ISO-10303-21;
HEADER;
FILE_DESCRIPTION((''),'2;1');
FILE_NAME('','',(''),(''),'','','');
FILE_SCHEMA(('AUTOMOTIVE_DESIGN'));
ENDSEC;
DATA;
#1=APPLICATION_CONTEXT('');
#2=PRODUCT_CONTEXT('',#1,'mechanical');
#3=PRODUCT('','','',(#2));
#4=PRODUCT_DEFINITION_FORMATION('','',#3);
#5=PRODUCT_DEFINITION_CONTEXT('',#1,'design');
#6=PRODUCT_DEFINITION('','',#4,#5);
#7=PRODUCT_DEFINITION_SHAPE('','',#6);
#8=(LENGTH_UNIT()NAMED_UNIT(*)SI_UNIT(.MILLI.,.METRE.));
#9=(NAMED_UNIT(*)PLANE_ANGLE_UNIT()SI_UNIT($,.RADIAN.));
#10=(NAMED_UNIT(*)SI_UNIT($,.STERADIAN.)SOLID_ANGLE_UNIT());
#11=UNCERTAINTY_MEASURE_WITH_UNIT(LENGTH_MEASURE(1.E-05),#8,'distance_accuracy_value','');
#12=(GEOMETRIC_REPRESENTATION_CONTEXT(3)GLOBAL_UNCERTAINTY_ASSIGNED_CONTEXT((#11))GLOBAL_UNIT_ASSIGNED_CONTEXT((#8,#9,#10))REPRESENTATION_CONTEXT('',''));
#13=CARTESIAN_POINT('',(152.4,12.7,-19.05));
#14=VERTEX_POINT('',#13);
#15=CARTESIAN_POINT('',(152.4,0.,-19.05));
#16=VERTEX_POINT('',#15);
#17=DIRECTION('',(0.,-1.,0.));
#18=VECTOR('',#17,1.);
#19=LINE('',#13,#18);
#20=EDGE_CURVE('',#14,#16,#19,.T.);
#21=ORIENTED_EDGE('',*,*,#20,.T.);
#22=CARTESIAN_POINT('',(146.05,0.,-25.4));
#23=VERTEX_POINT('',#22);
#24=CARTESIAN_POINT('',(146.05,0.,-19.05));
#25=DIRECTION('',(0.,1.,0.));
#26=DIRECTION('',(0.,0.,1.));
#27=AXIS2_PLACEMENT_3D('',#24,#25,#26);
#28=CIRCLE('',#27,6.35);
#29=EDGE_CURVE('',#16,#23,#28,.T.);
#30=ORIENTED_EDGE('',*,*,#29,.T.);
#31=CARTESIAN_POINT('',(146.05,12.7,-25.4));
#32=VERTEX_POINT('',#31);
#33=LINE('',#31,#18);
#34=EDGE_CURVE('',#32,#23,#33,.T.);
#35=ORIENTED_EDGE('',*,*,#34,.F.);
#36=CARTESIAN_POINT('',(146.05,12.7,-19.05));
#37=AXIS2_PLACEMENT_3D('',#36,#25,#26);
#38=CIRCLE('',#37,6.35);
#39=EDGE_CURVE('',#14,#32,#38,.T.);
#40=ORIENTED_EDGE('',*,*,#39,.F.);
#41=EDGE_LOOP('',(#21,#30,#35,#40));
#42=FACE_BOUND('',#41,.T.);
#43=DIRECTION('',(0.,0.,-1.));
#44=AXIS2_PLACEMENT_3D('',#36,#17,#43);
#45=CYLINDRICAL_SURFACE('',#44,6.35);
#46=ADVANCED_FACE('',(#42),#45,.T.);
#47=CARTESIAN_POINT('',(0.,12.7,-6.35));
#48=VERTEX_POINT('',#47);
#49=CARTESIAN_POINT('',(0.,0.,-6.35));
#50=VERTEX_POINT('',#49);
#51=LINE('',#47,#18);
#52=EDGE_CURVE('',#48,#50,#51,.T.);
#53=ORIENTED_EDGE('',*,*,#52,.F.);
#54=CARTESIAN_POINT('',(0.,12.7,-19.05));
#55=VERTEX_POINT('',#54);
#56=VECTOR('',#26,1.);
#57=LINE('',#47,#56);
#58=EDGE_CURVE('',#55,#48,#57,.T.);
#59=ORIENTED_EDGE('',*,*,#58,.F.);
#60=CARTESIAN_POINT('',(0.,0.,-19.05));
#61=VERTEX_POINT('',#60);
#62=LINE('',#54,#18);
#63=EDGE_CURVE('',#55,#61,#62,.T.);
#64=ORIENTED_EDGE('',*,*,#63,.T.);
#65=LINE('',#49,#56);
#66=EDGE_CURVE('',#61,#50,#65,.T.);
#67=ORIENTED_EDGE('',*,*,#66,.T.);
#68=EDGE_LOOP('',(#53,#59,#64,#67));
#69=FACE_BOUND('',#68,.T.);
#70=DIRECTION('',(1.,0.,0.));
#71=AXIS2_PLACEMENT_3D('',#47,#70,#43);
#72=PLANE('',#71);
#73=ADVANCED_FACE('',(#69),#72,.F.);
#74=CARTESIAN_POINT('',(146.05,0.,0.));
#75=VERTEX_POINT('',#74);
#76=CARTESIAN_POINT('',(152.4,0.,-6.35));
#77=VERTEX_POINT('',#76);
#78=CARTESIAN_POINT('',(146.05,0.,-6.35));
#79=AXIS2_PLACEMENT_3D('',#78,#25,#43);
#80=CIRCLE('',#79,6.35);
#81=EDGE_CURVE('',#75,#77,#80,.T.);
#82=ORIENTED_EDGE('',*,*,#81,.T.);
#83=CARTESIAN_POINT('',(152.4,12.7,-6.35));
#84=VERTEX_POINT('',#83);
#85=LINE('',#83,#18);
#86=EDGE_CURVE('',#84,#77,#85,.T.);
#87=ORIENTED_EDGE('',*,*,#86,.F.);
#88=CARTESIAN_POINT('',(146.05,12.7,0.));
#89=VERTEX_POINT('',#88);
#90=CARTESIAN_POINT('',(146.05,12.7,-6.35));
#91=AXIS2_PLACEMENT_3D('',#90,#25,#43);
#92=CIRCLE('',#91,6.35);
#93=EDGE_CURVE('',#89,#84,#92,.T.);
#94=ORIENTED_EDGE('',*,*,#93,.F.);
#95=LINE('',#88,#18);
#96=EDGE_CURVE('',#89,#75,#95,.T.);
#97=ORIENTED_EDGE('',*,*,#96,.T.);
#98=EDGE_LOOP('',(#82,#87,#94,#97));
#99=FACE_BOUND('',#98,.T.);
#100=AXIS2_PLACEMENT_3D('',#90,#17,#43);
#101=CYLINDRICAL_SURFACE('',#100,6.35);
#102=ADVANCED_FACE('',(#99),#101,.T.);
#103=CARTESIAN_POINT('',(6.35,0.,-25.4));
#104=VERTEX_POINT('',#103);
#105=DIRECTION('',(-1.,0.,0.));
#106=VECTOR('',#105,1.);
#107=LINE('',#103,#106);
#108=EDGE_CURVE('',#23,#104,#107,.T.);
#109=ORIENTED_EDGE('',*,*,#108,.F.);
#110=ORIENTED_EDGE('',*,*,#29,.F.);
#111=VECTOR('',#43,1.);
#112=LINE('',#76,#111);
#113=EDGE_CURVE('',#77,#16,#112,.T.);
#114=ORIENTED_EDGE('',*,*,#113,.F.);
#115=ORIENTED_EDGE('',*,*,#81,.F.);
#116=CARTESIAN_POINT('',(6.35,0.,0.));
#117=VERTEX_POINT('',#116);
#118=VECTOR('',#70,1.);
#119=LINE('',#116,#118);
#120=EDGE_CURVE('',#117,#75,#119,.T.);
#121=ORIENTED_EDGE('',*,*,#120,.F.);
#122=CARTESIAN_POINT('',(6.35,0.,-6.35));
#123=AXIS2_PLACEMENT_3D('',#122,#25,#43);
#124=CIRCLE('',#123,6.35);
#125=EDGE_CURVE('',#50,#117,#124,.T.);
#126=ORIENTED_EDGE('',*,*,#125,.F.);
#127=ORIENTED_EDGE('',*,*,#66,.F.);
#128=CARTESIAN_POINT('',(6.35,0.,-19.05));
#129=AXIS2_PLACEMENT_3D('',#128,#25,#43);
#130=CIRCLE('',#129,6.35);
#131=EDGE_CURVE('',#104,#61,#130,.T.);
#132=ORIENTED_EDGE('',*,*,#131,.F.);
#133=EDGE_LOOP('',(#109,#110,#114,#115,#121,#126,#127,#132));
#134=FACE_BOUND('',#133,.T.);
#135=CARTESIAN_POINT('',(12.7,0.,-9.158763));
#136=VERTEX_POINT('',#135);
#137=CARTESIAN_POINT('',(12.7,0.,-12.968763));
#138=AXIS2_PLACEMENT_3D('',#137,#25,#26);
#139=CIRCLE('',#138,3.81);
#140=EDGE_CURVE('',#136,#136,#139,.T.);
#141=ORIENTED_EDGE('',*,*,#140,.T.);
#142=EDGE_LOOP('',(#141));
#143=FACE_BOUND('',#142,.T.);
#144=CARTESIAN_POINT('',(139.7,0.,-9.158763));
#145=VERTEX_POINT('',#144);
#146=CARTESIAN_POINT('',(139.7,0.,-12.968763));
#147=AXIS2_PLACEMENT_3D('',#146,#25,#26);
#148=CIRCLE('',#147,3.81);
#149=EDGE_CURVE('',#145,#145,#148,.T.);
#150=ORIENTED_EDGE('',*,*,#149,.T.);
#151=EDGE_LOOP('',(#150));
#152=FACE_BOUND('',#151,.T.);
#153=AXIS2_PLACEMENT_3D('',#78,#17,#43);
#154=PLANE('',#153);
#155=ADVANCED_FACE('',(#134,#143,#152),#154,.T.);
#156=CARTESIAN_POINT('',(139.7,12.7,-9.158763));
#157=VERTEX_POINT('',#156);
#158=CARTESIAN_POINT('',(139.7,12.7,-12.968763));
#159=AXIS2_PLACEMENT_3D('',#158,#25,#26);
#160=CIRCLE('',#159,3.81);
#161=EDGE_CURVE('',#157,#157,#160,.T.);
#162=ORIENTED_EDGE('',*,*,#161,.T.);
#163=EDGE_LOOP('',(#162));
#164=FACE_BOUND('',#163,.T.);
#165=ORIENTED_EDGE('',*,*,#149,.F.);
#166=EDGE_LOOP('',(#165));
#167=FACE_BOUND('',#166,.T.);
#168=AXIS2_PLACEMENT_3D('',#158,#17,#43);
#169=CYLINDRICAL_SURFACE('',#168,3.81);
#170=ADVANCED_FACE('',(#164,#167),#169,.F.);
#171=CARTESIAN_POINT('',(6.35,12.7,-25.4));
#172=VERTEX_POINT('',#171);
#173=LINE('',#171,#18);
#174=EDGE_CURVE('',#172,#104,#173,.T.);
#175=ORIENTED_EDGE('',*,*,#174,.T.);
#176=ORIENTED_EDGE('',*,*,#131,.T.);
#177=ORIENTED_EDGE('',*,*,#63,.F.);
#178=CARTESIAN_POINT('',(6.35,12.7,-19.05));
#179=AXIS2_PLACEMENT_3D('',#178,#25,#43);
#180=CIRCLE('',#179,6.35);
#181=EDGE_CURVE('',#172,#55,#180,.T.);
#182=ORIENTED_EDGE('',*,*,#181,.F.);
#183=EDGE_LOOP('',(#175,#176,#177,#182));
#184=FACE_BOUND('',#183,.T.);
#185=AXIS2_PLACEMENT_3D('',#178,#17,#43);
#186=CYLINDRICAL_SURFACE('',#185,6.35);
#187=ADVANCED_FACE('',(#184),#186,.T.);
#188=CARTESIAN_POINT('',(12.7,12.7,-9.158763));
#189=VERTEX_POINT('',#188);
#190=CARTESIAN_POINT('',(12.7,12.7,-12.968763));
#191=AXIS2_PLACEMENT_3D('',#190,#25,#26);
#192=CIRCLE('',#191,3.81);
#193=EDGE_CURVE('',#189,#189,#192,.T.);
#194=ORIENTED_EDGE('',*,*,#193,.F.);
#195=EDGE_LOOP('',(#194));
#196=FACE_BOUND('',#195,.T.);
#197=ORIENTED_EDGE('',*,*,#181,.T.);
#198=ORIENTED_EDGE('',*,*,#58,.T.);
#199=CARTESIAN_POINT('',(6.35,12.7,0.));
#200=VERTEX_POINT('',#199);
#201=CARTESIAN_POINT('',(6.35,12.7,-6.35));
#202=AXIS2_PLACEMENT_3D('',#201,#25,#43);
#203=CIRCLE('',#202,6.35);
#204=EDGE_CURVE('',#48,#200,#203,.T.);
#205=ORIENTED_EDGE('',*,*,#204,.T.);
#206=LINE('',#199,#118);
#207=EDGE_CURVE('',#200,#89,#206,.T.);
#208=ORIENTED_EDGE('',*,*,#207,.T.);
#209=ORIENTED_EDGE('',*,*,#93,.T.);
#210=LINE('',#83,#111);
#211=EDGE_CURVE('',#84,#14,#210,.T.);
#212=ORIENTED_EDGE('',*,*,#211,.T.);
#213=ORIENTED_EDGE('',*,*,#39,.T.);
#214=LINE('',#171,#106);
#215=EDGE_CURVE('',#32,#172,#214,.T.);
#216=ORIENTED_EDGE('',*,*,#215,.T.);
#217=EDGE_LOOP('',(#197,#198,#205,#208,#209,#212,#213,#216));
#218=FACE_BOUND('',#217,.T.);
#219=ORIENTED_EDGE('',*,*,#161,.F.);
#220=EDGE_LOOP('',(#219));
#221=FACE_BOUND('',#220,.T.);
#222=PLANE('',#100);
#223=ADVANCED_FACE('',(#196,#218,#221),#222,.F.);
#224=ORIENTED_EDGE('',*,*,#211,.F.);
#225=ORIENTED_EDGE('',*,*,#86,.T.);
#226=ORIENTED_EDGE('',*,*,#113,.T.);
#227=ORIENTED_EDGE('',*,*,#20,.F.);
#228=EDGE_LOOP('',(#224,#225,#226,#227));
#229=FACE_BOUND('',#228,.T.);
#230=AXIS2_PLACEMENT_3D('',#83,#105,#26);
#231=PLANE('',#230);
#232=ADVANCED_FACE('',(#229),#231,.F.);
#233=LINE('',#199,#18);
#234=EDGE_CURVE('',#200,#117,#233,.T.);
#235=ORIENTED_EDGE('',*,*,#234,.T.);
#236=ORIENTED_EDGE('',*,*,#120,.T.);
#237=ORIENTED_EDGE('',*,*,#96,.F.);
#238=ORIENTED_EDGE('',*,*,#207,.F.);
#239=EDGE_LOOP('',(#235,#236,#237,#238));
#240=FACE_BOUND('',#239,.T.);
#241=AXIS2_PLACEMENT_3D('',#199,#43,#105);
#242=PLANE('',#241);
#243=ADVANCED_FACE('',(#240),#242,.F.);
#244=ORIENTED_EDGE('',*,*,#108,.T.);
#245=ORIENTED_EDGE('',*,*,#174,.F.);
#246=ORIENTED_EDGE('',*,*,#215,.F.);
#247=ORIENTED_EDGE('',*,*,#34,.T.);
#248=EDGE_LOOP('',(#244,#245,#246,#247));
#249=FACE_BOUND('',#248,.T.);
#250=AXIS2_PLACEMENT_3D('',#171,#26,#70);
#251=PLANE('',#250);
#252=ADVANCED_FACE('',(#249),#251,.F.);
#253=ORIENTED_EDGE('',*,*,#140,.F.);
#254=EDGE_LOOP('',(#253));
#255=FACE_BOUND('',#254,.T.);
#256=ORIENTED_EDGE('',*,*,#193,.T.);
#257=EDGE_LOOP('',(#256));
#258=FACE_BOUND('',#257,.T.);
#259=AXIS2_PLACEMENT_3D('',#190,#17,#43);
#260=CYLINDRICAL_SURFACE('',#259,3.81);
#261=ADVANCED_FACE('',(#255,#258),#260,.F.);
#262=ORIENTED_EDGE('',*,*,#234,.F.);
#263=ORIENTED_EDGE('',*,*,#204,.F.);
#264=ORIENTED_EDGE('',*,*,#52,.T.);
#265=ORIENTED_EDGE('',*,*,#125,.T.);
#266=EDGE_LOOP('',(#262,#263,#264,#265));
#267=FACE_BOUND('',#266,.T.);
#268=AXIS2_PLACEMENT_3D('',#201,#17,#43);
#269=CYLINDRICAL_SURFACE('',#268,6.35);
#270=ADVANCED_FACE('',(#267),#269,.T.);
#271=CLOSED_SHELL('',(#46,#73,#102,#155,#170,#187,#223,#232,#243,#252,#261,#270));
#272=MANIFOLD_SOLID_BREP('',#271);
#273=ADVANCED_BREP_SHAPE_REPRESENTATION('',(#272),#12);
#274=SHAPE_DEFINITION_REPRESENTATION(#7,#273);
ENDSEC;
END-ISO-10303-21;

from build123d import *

# Parameters (mm, degrees)
SKETCH1_R           = 3.81
BOSS_EXTRUDE1_DEPTH = 12.7


with BuildPart() as part:
    # Sketch1 → Boss-Extrude1 (new body)
    with BuildSketch(Plane(origin=(0, 0, 0), x_dir=(1, 0, 0), z_dir=(0, 1, 0))):
        with BuildLine():
            Line((6.35, 0), (146.05, 0))
            ThreePointArc((146.05, 0), (150.540128061, 1.859871939), (152.4, 6.35))
            Line((152.4, 6.35), (152.4, 19.05))
            ThreePointArc((152.4, 19.05), (150.540128061, 23.540128061), (146.05, 25.4))
            Line((146.05, 25.4), (6.35, 25.4))
            ThreePointArc((6.35, 25.4), (1.859871939, 23.540128061), (0, 19.05))
            Line((0, 19.05), (0, 6.35))
            ThreePointArc((0, 6.35), (1.859871939, 1.859871939), (6.35, 0))
        make_face()
        with Locations(Location((12.7, 12.968763491, 0), (0, 0, 270))):
            Circle(SKETCH1_R, mode=Mode.SUBTRACT)
        with Locations(Location((139.7, 12.968763491, 0), (0, 0, 270))):
            Circle(SKETCH1_R, mode=Mode.SUBTRACT)
    extrude(amount=BOSS_EXTRUDE1_DEPTH)


solid = part.part
